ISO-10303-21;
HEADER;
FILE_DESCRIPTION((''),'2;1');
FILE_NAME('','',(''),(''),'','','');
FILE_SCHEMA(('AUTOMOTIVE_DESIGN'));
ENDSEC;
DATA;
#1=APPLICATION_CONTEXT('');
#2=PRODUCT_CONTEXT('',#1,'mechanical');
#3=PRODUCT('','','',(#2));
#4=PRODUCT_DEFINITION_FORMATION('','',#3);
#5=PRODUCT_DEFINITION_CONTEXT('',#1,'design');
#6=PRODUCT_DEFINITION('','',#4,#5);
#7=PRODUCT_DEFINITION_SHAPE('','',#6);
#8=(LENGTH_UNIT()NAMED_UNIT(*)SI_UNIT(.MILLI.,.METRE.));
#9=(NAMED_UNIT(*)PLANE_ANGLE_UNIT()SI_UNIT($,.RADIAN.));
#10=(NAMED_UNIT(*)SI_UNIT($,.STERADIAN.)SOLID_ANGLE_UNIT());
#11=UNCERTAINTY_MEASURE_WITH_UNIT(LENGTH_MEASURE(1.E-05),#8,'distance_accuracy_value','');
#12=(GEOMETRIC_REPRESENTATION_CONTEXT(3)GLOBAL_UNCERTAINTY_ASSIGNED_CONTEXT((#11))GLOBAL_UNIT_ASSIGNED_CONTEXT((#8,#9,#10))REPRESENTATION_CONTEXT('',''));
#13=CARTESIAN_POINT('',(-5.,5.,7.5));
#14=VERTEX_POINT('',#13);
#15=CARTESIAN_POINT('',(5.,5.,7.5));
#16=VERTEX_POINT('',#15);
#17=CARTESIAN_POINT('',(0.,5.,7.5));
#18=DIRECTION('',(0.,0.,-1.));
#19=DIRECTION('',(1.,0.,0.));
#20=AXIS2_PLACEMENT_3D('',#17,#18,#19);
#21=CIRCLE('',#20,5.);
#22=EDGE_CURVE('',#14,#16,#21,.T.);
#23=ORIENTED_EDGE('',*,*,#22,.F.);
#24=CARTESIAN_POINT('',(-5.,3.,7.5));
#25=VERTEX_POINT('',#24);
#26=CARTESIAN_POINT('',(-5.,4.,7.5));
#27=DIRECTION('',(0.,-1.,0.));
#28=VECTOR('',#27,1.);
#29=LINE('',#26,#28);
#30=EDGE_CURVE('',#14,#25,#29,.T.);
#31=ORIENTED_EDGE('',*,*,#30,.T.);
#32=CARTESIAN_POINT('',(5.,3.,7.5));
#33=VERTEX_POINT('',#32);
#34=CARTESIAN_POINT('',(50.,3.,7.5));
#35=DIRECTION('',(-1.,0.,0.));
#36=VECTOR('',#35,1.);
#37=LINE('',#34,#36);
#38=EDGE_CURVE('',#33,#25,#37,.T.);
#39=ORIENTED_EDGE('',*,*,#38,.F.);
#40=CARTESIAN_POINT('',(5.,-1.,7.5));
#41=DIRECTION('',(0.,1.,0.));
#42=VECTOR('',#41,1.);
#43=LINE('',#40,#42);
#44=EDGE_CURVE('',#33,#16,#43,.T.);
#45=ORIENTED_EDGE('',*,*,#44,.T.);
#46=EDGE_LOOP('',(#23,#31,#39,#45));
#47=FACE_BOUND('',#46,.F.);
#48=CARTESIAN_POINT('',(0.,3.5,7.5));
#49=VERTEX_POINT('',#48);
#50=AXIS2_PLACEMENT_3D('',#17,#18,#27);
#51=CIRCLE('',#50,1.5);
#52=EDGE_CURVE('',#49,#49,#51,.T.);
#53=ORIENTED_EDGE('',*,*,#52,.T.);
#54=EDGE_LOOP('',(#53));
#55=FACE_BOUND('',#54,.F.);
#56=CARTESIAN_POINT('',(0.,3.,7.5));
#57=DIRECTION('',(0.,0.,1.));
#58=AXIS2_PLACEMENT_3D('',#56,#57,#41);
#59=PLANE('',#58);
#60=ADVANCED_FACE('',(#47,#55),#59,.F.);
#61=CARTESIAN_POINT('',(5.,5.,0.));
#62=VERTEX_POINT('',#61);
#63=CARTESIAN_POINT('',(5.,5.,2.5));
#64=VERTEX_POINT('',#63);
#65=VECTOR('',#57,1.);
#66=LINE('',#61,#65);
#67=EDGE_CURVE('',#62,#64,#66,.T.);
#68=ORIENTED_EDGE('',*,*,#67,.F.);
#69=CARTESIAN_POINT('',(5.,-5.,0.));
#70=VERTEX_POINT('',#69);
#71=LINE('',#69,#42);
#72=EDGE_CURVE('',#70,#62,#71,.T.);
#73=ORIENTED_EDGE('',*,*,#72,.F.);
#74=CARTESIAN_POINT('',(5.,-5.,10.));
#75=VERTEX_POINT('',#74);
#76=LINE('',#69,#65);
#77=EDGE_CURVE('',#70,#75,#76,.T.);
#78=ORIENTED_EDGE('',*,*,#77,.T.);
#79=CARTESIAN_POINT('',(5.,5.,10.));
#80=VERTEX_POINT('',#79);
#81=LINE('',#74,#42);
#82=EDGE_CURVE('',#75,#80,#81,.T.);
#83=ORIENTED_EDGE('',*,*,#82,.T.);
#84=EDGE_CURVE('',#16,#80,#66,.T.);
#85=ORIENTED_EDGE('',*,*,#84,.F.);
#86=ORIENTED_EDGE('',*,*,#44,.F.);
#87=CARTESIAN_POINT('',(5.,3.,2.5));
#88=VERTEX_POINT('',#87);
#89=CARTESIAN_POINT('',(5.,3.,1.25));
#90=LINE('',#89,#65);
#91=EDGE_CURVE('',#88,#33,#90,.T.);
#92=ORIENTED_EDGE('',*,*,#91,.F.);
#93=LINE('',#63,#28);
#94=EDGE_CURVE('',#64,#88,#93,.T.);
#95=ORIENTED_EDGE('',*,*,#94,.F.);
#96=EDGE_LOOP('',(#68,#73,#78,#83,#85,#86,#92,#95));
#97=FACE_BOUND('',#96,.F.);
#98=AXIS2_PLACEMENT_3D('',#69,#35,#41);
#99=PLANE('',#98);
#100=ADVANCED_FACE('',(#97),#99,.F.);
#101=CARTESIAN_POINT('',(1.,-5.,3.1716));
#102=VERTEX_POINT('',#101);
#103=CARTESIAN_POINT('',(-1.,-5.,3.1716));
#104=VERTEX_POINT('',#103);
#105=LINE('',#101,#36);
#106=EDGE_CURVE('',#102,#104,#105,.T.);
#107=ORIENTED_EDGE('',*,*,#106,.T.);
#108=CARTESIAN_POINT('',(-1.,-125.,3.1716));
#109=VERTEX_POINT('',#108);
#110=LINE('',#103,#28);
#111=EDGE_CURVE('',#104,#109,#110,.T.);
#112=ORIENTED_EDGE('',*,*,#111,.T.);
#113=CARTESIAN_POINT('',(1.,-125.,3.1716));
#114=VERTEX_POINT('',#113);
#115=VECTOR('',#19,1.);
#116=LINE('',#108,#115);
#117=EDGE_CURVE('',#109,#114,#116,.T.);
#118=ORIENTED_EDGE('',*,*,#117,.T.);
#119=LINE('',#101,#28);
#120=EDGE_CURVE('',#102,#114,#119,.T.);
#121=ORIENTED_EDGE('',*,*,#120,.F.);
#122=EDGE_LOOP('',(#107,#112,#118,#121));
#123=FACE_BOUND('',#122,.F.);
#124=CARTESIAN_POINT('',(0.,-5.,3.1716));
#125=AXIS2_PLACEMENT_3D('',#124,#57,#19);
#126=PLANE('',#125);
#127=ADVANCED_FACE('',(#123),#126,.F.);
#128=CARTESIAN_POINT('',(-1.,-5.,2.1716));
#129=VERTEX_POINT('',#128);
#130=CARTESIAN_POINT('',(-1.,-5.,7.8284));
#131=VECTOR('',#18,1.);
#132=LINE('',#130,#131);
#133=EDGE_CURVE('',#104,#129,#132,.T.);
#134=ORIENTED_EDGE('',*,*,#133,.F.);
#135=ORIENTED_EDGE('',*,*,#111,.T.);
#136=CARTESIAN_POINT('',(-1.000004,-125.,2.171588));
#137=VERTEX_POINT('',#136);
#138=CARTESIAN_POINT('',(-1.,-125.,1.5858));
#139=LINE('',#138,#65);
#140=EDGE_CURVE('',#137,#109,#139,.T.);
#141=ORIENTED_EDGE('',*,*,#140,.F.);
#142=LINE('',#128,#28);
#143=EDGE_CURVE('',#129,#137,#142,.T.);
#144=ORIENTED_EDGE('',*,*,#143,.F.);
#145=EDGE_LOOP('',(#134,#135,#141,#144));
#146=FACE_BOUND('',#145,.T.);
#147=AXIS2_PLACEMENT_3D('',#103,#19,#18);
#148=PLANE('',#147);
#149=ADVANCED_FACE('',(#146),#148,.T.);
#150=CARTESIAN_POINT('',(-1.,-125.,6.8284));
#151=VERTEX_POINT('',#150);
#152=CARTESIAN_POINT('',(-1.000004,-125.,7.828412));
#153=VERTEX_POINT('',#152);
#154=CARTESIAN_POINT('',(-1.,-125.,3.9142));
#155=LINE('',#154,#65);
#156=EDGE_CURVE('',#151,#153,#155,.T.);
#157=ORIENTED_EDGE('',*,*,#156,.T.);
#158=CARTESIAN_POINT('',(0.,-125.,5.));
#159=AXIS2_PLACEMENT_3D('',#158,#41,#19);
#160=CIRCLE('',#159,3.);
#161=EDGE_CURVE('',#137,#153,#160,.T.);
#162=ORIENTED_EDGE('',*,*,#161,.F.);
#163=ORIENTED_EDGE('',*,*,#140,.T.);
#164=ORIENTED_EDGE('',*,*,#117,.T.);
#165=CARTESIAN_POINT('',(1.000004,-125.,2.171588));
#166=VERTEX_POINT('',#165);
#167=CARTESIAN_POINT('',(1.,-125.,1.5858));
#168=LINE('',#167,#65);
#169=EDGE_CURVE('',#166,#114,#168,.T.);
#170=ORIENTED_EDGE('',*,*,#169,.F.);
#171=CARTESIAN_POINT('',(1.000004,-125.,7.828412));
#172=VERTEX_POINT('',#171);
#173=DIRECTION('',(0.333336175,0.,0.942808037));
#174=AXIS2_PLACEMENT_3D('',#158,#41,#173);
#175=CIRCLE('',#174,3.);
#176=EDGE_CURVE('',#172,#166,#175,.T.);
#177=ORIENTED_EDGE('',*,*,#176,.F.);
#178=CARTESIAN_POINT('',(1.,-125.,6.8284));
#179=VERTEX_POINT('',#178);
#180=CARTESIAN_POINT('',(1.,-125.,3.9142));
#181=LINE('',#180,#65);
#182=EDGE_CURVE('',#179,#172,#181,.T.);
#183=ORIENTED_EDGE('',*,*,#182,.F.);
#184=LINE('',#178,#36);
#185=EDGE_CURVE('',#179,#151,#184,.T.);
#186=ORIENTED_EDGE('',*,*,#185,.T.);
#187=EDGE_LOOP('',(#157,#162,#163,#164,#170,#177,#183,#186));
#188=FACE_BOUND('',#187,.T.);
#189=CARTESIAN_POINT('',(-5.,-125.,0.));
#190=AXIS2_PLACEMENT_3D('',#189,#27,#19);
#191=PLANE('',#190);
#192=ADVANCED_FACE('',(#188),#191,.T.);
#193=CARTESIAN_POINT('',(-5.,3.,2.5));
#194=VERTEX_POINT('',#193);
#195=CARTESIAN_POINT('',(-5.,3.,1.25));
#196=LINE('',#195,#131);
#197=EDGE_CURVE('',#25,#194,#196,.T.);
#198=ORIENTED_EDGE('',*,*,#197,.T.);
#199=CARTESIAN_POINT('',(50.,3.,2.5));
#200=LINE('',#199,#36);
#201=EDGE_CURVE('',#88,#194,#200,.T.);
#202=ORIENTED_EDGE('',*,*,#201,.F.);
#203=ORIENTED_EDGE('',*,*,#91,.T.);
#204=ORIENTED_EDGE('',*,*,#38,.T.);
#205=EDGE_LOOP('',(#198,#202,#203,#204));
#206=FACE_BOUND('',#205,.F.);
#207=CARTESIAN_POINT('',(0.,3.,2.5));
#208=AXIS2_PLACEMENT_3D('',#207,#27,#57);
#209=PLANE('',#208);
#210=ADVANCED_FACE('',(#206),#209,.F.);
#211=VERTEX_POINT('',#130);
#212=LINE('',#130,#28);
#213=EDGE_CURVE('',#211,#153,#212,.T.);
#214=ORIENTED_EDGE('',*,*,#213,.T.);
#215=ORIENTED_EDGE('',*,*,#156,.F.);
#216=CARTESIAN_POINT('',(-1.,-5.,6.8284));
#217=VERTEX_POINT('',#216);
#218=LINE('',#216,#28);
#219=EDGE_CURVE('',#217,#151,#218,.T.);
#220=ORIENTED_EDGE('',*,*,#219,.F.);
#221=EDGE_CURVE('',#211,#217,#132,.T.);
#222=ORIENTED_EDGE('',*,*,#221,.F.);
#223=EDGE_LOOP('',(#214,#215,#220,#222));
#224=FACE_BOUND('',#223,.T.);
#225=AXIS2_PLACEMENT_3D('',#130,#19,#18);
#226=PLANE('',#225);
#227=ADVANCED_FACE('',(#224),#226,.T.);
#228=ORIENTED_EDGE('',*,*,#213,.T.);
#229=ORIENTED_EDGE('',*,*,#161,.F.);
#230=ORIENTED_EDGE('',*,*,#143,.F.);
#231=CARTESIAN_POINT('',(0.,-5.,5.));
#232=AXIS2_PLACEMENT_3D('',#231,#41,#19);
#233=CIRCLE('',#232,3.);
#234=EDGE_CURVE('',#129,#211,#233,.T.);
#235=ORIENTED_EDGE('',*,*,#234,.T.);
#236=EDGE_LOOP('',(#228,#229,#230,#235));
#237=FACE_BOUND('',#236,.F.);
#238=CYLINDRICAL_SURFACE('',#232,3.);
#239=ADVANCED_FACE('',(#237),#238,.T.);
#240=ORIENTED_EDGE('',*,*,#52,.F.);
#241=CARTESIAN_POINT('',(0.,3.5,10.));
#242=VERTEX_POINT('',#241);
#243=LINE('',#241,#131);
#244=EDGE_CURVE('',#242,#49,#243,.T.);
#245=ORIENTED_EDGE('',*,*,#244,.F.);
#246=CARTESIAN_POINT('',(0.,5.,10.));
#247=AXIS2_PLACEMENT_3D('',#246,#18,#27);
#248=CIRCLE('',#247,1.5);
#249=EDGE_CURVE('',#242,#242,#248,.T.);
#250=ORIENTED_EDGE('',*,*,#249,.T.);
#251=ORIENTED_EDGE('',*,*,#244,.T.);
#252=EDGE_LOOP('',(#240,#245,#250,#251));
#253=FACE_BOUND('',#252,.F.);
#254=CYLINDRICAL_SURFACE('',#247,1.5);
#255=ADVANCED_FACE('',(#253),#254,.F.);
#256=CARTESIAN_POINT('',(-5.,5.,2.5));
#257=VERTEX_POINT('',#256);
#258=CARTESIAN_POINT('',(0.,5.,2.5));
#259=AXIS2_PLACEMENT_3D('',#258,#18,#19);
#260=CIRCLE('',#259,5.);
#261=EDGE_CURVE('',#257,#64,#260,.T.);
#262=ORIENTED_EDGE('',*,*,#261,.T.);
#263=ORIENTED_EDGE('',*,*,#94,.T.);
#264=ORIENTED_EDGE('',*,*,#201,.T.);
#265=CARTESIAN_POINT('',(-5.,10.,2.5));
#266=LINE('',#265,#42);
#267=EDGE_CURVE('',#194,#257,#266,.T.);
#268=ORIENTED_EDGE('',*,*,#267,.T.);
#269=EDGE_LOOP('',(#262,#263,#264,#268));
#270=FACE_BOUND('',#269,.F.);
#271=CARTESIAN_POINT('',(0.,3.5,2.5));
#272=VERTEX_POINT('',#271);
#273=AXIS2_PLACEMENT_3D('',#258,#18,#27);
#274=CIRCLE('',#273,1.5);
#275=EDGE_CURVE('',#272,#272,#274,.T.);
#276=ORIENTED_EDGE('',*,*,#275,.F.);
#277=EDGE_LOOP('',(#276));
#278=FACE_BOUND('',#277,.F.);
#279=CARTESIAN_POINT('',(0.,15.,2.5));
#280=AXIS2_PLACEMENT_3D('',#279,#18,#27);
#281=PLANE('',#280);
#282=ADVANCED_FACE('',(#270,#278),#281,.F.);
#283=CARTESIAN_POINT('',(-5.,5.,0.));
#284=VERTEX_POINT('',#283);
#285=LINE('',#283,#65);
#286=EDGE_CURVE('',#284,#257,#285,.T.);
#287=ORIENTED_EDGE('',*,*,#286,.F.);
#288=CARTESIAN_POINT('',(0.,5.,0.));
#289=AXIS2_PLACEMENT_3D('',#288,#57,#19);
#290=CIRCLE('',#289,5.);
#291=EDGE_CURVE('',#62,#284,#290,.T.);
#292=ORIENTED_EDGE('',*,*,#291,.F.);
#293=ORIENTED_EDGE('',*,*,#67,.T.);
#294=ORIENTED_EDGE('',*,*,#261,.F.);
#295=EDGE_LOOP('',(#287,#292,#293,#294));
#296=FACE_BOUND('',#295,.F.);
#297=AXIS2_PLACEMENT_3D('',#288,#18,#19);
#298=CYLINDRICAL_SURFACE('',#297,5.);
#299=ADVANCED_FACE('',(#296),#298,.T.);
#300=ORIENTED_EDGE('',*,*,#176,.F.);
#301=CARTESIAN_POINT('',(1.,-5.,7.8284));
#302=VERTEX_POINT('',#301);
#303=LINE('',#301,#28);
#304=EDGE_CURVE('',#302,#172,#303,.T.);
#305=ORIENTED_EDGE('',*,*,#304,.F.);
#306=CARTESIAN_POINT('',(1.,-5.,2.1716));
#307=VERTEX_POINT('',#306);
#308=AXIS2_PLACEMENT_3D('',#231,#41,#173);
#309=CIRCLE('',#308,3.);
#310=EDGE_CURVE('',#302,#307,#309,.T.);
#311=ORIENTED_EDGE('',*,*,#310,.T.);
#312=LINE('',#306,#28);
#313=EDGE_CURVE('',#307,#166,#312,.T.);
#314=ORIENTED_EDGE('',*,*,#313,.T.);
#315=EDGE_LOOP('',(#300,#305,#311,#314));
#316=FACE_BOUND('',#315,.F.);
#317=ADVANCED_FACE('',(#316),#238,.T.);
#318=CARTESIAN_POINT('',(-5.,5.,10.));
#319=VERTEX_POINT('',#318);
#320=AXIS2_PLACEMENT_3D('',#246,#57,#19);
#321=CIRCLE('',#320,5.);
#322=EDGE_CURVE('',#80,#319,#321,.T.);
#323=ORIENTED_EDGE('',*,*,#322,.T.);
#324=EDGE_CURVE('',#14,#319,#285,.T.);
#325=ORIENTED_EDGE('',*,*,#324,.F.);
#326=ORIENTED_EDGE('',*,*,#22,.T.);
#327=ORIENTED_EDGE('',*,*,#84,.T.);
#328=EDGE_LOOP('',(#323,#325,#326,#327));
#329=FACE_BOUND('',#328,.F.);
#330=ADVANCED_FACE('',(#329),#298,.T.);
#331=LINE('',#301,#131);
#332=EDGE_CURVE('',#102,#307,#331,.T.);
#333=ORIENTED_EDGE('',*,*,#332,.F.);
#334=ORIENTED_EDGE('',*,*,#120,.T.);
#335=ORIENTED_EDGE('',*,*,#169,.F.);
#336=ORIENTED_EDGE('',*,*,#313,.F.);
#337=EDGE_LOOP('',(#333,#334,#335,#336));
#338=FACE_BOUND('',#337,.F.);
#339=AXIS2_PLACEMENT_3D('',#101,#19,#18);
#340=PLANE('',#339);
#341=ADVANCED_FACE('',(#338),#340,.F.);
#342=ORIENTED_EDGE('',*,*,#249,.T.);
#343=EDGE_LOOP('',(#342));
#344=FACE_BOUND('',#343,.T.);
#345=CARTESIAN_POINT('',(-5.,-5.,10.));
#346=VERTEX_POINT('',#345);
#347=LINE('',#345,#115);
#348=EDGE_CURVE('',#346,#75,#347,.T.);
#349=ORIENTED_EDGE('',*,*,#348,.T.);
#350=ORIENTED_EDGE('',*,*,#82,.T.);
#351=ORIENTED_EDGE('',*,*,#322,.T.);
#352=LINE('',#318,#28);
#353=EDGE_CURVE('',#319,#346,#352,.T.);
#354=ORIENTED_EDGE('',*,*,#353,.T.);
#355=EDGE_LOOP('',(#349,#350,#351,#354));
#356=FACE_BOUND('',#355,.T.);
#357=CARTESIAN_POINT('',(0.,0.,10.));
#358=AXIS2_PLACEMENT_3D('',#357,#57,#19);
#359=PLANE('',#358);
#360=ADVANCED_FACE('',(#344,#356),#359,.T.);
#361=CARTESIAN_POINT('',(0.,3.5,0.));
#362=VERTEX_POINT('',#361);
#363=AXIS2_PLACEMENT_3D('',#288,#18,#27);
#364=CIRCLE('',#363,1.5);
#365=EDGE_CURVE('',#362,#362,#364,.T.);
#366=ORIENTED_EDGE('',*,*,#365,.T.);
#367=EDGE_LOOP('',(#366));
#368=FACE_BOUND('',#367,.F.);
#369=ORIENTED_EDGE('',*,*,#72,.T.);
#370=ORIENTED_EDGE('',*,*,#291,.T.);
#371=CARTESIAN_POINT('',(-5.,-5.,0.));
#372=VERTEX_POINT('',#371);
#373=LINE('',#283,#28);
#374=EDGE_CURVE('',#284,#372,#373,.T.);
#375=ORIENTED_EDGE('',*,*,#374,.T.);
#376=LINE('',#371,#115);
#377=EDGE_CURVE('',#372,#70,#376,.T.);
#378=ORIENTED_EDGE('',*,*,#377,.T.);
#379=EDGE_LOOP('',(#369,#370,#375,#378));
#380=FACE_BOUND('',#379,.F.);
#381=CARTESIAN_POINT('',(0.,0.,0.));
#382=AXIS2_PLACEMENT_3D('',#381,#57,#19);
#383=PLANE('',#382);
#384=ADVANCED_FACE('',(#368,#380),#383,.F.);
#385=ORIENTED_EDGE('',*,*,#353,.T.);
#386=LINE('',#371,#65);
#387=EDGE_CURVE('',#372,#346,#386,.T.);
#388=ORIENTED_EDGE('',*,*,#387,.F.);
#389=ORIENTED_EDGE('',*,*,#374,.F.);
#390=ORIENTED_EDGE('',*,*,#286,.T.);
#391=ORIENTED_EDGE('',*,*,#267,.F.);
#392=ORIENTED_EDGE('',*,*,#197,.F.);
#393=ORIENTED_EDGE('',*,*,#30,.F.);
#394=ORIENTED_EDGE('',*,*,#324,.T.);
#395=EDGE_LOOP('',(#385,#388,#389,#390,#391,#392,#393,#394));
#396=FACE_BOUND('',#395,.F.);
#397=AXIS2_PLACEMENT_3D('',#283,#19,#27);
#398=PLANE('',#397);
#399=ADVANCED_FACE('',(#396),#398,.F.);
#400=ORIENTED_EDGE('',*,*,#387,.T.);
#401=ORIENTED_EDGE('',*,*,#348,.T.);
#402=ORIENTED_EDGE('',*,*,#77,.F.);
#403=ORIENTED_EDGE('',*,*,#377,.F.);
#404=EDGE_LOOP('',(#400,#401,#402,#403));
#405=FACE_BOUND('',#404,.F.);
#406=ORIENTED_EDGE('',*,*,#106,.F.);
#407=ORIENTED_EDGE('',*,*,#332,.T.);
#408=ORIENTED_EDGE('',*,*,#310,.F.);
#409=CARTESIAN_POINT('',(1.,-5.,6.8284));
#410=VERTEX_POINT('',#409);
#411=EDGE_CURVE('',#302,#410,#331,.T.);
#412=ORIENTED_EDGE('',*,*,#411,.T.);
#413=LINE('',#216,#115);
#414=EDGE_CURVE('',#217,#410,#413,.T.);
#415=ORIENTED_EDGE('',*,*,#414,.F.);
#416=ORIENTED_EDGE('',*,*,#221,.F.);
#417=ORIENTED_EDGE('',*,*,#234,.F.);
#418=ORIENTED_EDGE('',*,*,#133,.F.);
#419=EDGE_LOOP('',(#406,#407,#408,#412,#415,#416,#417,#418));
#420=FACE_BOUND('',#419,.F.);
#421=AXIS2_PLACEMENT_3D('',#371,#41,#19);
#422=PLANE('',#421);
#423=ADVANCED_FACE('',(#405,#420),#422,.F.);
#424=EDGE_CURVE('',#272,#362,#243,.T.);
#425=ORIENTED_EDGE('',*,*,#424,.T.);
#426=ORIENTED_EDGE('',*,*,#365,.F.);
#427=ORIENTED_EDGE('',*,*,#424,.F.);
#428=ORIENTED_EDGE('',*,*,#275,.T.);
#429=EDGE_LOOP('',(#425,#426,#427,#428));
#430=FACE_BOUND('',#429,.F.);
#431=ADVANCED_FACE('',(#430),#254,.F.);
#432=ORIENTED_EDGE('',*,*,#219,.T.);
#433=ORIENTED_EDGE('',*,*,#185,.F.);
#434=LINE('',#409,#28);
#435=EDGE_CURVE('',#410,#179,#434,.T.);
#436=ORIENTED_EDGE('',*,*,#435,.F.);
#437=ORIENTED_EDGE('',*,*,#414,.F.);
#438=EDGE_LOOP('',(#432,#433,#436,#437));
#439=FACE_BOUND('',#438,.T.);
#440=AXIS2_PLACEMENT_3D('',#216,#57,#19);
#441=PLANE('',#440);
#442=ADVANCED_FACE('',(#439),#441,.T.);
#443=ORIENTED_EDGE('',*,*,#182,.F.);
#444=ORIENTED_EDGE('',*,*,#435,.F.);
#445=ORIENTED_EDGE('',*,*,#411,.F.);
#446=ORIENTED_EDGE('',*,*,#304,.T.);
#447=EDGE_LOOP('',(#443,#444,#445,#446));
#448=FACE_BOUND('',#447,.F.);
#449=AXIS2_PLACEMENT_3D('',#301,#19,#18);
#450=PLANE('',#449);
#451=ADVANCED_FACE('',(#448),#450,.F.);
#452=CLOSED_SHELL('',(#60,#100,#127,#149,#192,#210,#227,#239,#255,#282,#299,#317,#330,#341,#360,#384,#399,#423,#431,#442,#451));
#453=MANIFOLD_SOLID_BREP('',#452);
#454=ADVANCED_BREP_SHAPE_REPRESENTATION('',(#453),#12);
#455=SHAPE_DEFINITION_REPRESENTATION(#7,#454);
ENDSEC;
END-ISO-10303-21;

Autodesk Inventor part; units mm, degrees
ref_plane "YZ Plane" through (0, 0, 0) normal (1, 0, 0) x (0, 1, 0)
ref_plane "XZ Plane" through (0, 0, 0) normal (0, 1, 0) x (-1, 0, 0)
ref_plane "XY Plane" through (0, 0, 0) normal (0, 0, 1) x (1, 0, 0)
sketch "Esquisse1" plane through (0, 0, 0) normal (0, 0, 1) x (1, 0, 0)
  line L0 (-5, -5) -> (5, -5)
  line L1 (5, -5) -> (5, 5)
  line L2 (5, 5) -> (-5, 5)
  line L3 (-5, 5) -> (-5, -5)
  line L4 (-5, -5) -> (5, 5) construction
  line L5 (5, -5) -> (-5, 5) construction
  arc A0 (5, 5) -> (-5, 5) centre (0, 5) ccw
  point P0 (0, 0)
  dimension "d0" = 10
  dimension "d1" = 10
extrude "Extrusion1" add sketch "Esquisse1" along normal blind 10
hole "Perçage1" at (0, 5, 10) direction (0, 0, -1) diameter 3 end through all
sketch "Esquisse3" plane through (0, 0, 0) normal (1, 0, 0) x (0, 1, 0)
  line L0 (15, 0) -> (15, 10)
  line L1 (3, 0) -> (3, 10)
  line L2 (15, 2.5) -> (3, 2.5)
  line L3 (3, 2.5) -> (3, 7.5)
  line L4 (3, 7.5) -> (15, 7.5)
  line L5 (15, 7.5) -> (15, 2.5)
  line L6 (15, 10) -> (3, 10)
  line L7 (15, 0) -> (3, 0)
  point P0 (0, 0)
  dimension "d23" = 12
  dimension "d29" = 5
  dimension "d30" = 2.5
extrude "Extrusion3" cut sketch "Esquisse3" along normal mid plane 100 contours L2 L1 L4 L0
sketch "Esquisse4" plane through (-5, -5, 0) normal (0, -1, 0) x (1, 0, 0)
  circle A0 centre (5, 5) radius 3
  line L0 (10, 0) -> (10, 10) projected
  line L1 (0, 10) -> (10, 10) projected
  line L2 (5, 8) -> (5, 2)
  line L3 (6, 7.8284) -> (6, 2.1716)
  line L4 (4, 7.8284) -> (4, 2.1716)
  line L5 (4, 6.8284) -> (6, 6.8284)
  line L6 (4, 3.1716) -> (6, 3.1716)
  point P0 (5, 0)
  point P1 (5, 6.8284)
  point P2 (4, 5)
  dimension "d24" = 6
  dimension "d25" = 5
  dimension "d26" = 5
  dimension "d37" = 2
  dimension "d38" = 1
  dimension "d39" = 1
  dimension "d40" = 1
  dimension "d41" = 1
extrude "Extrusion4" add sketch "Esquisse4" along normal blind 120
extrude "Extrusion5" cut sketch "Esquisse4" along normal through all contours L3 L5 L2 A0 | A0 L2 L6 L3 | L2 L5 L4 A0 | A0 L4 L6 L2
properties part number "Tige"
